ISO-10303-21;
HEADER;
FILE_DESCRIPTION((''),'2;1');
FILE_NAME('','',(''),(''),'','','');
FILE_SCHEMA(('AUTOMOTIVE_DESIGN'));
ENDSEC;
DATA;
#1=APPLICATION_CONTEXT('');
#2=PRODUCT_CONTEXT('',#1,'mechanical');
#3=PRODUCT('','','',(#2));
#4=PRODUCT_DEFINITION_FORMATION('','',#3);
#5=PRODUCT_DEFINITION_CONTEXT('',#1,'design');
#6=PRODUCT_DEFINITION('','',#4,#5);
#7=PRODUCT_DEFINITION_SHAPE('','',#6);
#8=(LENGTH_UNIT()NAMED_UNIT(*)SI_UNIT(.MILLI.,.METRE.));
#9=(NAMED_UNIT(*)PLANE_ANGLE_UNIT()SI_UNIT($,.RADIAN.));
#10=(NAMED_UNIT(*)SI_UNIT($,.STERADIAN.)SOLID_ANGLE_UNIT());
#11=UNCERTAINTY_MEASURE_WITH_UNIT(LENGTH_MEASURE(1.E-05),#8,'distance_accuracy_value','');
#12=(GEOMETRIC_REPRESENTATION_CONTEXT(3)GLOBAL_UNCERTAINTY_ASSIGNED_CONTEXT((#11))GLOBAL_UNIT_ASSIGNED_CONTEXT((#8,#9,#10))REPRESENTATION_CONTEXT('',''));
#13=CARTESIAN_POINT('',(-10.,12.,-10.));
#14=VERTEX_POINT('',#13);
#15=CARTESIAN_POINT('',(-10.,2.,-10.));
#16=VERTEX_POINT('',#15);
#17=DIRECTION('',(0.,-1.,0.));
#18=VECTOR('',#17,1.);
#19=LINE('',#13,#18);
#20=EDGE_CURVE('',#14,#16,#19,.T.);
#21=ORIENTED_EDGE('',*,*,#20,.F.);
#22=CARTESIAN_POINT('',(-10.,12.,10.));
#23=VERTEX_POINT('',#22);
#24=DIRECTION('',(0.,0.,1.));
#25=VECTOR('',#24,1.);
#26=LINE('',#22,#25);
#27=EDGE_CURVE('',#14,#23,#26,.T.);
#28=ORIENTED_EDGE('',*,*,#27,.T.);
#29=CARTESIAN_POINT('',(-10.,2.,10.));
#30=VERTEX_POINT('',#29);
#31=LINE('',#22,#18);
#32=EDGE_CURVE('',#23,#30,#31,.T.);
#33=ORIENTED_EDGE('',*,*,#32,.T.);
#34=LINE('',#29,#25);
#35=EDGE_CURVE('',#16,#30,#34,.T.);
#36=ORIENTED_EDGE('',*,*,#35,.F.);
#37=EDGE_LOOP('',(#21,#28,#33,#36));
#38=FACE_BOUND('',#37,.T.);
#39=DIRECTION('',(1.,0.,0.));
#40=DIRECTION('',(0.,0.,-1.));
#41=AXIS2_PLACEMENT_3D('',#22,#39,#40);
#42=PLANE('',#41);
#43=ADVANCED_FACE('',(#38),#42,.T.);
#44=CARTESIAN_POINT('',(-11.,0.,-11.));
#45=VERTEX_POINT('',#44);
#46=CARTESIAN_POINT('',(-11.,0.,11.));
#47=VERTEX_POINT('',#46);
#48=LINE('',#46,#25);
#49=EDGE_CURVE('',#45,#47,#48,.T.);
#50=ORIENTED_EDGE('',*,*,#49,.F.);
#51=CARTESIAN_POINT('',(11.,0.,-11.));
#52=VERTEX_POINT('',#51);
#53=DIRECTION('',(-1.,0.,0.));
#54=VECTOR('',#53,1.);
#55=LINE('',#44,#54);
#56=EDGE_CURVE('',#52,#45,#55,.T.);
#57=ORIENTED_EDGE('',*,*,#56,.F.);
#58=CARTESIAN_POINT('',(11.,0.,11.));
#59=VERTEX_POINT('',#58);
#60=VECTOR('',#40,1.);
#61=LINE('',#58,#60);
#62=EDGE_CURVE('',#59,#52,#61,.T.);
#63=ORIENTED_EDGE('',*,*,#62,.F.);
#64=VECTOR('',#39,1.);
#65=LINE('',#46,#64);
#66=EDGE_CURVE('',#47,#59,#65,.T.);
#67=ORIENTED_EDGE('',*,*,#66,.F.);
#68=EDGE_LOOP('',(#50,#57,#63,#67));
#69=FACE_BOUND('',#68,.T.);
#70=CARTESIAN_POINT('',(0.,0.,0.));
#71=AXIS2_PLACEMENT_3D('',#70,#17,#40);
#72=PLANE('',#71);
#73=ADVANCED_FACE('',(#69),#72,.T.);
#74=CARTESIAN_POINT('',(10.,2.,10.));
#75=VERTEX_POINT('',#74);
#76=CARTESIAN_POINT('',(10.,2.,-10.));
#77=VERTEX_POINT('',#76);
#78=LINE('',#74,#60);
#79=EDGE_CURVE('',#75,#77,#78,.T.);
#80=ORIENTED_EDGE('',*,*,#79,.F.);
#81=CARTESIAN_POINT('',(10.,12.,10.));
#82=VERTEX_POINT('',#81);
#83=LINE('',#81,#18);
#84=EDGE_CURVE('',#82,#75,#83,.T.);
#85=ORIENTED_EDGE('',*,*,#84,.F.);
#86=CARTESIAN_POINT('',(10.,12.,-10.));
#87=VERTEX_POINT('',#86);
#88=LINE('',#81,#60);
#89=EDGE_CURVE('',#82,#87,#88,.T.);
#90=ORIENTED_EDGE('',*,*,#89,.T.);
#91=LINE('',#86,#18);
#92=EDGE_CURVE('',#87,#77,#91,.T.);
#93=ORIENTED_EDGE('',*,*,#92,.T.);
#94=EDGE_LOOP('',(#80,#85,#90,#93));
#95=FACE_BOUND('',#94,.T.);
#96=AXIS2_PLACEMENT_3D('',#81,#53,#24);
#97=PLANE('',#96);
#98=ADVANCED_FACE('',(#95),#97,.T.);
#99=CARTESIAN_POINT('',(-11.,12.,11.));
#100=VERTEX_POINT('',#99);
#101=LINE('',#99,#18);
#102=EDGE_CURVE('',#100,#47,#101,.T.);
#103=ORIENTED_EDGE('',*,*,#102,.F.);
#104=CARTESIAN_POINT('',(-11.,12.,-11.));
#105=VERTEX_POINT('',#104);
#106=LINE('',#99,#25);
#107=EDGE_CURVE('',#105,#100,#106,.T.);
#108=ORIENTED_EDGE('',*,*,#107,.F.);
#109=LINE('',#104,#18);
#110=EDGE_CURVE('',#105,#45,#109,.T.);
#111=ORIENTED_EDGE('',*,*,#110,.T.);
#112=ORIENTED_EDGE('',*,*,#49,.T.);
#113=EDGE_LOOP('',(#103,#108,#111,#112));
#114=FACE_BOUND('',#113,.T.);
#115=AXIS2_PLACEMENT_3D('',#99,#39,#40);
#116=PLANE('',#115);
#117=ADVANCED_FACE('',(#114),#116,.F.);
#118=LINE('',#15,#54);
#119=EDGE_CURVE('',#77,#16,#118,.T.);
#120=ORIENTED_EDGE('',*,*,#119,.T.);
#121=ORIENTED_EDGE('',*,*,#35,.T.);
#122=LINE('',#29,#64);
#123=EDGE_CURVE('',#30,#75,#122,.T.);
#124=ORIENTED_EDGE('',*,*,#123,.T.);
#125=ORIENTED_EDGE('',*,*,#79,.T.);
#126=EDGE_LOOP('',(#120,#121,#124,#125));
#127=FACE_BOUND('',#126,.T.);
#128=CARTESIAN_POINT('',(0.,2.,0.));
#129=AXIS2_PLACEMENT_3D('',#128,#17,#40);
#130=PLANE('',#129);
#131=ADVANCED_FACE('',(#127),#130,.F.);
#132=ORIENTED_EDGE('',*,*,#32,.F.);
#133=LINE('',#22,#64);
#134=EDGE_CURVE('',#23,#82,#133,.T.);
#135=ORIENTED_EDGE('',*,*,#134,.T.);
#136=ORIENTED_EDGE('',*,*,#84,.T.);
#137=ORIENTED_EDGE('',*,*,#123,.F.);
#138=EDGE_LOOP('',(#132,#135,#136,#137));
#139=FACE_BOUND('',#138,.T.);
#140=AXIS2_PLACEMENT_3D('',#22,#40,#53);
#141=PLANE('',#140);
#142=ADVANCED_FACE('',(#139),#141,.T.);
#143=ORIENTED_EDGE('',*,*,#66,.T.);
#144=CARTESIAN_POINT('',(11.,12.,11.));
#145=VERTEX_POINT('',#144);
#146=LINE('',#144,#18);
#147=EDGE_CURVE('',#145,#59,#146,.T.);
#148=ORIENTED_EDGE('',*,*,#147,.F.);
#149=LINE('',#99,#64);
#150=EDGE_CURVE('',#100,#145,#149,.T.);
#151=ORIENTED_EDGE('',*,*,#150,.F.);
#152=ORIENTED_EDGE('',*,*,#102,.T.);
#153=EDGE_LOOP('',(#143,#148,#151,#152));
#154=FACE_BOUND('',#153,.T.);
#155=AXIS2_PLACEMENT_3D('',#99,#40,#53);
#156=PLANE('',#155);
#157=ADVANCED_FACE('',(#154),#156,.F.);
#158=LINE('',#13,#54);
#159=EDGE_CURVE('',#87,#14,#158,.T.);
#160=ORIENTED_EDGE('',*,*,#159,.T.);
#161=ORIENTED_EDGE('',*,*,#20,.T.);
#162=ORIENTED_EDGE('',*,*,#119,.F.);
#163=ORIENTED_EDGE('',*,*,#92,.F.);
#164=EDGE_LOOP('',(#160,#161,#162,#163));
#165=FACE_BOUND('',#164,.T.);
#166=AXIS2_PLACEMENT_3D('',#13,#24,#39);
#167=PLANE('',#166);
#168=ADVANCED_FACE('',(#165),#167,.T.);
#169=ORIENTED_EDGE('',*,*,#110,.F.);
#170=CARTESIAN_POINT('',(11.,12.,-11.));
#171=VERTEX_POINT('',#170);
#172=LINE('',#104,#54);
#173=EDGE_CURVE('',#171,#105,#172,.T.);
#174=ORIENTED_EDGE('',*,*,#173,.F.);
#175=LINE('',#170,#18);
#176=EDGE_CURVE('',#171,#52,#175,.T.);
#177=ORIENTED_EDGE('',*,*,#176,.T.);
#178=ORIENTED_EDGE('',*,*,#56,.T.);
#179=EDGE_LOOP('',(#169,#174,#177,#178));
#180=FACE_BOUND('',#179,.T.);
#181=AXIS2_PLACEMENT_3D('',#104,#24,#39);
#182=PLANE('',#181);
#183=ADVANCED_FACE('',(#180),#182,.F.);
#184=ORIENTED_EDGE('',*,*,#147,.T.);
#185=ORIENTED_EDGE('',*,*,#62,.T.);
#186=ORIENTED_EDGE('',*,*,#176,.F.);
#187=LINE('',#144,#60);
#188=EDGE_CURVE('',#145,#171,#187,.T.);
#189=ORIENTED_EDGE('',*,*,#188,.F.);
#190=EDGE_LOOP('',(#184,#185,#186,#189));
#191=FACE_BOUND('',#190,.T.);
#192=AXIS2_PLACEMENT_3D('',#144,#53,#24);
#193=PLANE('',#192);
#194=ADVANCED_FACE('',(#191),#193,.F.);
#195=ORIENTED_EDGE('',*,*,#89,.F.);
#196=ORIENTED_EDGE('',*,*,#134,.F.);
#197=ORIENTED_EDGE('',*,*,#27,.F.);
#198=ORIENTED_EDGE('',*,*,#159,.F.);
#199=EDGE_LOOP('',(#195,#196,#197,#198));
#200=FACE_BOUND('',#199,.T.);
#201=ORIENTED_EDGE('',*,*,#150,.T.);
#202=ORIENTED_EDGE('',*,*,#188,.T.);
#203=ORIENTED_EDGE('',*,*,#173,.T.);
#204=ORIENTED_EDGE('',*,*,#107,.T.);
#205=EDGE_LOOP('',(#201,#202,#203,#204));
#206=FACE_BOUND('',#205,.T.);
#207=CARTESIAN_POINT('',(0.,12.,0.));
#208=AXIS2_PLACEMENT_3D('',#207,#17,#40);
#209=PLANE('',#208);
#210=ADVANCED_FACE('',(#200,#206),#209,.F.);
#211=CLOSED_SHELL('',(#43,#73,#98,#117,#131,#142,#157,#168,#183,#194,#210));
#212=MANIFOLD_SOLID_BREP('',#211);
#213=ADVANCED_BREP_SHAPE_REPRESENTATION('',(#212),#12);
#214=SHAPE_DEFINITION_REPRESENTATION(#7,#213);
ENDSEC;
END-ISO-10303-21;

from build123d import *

# Parameters (mm, degrees)
SKETCH2_W           = 22
SKETCH2_H           = 22
SKETCH2_W_2         = 20
SKETCH2_H_2         = 20
BOSS_EXTRUDE1_DEPTH = 12
SKETCH3_W           = 20
SKETCH3_H           = 20
BOSS_EXTRUDE2_DEPTH = 2


with BuildPart() as part:
    # Sketch2 → Boss-Extrude1 (new body)
    with BuildSketch(Plane(origin=(0, 0, 0), x_dir=(1, 0, 0), z_dir=(0, 1, 0))):
        Rectangle(SKETCH2_W, SKETCH2_H)
        Rectangle(SKETCH2_W_2, SKETCH2_H_2, mode=Mode.SUBTRACT)
    extrude(amount=BOSS_EXTRUDE1_DEPTH)

    # Sketch3 → Boss-Extrude2 (add)
    with BuildSketch(Plane(origin=(0, 0, 0), x_dir=(1, 0, 0), z_dir=(0, 1, 0))):
        Rectangle(SKETCH3_W, SKETCH3_H)
    extrude(amount=BOSS_EXTRUDE2_DEPTH)


solid = part.part
